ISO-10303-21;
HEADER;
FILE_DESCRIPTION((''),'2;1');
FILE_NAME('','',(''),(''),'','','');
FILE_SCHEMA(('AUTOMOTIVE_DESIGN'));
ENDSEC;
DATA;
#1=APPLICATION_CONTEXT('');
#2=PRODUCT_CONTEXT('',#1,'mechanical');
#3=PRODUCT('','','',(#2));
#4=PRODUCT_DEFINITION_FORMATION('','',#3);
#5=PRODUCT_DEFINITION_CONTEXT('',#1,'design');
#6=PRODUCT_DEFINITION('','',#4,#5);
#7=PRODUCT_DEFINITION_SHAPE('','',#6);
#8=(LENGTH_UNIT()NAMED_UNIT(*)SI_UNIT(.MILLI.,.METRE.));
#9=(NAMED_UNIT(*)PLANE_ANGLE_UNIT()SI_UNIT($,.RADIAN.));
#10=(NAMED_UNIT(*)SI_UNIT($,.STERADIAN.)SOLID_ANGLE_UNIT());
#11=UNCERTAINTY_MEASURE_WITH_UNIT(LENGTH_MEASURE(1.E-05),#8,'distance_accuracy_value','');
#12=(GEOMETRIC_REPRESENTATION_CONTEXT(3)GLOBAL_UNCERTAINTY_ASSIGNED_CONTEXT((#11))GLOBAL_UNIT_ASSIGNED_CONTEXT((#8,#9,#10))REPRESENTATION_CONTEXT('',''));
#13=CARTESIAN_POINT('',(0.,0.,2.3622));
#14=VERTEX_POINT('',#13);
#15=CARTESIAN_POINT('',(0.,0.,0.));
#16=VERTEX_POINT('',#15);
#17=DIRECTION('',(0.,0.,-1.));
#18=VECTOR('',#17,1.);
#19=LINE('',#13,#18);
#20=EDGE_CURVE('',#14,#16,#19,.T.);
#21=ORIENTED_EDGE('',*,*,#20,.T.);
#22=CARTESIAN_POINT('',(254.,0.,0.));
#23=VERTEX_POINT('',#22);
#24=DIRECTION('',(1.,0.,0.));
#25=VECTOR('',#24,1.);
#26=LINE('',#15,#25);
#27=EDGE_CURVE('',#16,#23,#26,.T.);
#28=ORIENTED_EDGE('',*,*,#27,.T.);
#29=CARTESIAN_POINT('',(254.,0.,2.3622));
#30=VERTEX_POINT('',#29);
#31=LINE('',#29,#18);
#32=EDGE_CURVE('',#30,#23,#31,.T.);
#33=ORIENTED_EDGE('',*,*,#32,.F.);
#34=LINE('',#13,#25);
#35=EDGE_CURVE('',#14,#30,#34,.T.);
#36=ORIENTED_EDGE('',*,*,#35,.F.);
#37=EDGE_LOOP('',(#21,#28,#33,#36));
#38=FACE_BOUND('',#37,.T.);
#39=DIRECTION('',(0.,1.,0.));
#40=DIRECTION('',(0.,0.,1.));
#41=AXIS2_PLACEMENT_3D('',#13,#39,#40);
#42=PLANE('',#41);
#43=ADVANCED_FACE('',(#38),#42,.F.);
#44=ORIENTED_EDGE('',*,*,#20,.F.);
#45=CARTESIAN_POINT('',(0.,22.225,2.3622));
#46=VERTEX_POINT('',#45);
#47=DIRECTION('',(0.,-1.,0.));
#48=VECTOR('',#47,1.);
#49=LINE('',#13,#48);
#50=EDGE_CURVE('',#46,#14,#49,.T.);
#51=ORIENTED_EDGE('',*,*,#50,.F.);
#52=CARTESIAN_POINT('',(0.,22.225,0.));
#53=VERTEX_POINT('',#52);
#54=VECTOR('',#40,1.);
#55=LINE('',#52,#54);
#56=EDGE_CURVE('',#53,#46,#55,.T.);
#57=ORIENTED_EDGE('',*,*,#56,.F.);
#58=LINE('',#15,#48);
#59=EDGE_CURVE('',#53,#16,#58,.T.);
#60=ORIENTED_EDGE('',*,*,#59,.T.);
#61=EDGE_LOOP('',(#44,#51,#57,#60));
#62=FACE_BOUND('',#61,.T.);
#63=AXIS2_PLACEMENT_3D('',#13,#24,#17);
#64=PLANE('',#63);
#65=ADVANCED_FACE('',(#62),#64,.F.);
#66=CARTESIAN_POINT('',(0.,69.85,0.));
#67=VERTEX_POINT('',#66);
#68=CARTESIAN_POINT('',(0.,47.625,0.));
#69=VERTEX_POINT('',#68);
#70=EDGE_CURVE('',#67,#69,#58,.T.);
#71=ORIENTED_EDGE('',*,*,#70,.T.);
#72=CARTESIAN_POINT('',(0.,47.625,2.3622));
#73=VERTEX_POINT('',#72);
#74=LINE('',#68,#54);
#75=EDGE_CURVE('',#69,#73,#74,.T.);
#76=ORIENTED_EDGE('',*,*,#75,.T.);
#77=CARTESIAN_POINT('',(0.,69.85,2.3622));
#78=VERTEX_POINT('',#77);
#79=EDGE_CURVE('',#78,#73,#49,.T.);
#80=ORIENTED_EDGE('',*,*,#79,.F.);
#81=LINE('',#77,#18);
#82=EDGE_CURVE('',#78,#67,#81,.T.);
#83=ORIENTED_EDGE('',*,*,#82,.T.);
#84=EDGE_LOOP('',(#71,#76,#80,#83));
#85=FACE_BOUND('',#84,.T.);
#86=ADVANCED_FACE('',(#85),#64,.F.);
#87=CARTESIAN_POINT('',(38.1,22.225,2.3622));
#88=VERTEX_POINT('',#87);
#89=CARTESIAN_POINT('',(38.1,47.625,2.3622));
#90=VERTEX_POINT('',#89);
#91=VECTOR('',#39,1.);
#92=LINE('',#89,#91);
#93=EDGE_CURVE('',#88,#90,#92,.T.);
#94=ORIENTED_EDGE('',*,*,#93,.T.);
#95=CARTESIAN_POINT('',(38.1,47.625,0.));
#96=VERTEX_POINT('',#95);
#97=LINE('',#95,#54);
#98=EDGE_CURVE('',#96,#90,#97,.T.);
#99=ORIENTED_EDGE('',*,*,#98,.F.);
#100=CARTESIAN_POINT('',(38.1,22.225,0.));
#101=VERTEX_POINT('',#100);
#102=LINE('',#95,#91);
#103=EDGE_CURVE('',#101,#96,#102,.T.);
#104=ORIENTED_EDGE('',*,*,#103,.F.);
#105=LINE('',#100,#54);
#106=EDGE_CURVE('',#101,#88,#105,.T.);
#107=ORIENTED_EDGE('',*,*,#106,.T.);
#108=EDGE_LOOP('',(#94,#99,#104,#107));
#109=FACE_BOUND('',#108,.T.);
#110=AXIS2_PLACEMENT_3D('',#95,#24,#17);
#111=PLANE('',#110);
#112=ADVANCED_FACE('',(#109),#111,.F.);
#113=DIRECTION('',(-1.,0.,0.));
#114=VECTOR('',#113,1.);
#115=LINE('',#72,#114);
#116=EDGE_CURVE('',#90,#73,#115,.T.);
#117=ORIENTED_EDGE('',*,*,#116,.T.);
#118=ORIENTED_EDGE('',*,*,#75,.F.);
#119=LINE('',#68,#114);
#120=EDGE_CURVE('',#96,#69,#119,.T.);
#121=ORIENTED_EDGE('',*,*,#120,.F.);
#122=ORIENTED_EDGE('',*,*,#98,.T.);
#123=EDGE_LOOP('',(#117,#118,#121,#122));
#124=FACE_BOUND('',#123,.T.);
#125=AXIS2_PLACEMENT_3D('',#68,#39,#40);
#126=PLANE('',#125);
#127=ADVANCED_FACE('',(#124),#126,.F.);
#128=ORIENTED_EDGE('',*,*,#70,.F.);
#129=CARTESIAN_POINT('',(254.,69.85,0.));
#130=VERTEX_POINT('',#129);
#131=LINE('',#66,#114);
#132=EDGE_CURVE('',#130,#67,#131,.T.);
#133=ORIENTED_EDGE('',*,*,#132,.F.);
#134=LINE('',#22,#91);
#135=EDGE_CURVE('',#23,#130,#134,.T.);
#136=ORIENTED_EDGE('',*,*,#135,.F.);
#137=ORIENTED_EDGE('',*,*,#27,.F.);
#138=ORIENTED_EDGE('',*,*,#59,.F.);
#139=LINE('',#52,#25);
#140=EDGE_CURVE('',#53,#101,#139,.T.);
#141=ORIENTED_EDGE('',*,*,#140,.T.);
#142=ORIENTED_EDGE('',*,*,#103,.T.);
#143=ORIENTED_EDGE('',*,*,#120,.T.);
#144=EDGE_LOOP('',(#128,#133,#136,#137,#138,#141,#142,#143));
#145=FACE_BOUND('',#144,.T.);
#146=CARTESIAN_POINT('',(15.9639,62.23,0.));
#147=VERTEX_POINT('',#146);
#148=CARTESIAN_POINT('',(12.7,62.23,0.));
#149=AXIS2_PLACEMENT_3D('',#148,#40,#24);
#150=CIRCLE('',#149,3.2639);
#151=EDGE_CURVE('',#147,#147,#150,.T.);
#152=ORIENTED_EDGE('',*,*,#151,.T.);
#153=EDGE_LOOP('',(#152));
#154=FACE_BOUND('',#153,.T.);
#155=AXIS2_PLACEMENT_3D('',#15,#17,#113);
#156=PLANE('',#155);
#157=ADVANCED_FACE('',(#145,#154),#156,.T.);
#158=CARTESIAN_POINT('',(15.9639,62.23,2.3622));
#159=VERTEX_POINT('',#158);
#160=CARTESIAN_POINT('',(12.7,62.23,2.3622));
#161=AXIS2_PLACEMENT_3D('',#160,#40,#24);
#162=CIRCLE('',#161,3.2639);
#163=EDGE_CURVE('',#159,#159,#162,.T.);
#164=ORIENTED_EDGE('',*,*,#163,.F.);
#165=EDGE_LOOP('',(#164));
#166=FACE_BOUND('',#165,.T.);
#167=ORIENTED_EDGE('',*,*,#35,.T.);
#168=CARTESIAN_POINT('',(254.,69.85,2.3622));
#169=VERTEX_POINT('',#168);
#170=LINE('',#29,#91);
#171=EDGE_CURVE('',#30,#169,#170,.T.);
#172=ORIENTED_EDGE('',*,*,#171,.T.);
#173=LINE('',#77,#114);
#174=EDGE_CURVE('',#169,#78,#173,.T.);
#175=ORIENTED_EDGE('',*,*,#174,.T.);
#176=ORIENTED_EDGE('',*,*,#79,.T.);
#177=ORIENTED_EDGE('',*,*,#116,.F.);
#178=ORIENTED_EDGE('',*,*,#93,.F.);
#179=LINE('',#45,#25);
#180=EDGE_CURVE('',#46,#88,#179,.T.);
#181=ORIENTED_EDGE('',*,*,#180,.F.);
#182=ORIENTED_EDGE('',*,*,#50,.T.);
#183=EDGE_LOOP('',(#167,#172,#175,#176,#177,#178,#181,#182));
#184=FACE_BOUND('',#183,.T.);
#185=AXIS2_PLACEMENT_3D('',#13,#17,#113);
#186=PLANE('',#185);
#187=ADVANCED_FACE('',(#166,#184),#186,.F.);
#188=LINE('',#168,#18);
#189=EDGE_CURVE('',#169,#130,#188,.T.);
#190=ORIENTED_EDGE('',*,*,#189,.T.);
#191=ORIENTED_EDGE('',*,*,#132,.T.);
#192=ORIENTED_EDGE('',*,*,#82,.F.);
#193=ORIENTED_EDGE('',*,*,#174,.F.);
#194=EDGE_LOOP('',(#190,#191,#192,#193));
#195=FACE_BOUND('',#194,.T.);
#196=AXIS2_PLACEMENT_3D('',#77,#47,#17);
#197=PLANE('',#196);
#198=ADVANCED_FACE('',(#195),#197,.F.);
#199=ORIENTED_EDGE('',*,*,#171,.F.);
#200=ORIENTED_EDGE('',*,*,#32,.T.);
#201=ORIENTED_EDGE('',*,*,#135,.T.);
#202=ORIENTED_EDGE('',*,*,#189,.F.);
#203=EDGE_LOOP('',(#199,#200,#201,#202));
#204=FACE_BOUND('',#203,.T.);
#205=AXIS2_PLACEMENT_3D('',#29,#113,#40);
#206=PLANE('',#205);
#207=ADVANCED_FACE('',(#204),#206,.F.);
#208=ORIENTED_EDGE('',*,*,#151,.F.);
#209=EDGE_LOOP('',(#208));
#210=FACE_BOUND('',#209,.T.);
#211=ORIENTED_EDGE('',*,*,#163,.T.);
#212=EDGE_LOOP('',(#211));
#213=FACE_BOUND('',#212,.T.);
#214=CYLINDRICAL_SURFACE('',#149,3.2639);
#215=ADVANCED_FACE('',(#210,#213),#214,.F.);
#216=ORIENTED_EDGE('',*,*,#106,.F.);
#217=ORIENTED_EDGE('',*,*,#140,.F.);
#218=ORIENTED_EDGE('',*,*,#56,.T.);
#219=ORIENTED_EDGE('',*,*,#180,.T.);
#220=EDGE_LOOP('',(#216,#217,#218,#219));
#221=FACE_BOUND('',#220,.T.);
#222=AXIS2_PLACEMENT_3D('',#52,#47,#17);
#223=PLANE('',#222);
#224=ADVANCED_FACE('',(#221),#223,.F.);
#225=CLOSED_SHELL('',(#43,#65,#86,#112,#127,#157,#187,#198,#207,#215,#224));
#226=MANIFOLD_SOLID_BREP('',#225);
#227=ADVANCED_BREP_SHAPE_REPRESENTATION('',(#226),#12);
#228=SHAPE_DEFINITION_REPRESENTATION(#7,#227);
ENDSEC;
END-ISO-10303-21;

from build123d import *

# Parameters (mm, degrees)
SKETCH1_W           = 254
SKETCH1_H           = 69.85
BOSS_EXTRUDE1_DEPTH = 2.3622
SKETCH2_W           = 38.1
SKETCH2_H           = 25.4
CUT_EXTRUDE1_DEPTH  = 264.439940952
SKETCH3_R           = 3.2639
CUT_EXTRUDE2_DEPTH  = 264.439940952


with BuildPart() as part:
    # Sketch1 → Boss-Extrude1 (new body)
    with BuildSketch(Plane.XY):
        with Locations((127, 34.925)):
            Rectangle(SKETCH1_W, SKETCH1_H)
    extrude(amount=BOSS_EXTRUDE1_DEPTH)

    # Sketch2 → Cut-Extrude1 (cut, through all)
    with BuildSketch(Plane.XY.offset(2.3622)):
        with Locations((19.05, 34.925)):
            Rectangle(SKETCH2_W, SKETCH2_H)
    extrude(amount=-CUT_EXTRUDE1_DEPTH, mode=Mode.SUBTRACT)

    # Sketch3 → Cut-Extrude2 (cut, through all)
    with BuildSketch(Plane.XY.offset(2.3622)):
        with Locations((12.7, 62.23)):
            Circle(SKETCH3_R)
    extrude(amount=-CUT_EXTRUDE2_DEPTH, mode=Mode.SUBTRACT)


solid = part.part
